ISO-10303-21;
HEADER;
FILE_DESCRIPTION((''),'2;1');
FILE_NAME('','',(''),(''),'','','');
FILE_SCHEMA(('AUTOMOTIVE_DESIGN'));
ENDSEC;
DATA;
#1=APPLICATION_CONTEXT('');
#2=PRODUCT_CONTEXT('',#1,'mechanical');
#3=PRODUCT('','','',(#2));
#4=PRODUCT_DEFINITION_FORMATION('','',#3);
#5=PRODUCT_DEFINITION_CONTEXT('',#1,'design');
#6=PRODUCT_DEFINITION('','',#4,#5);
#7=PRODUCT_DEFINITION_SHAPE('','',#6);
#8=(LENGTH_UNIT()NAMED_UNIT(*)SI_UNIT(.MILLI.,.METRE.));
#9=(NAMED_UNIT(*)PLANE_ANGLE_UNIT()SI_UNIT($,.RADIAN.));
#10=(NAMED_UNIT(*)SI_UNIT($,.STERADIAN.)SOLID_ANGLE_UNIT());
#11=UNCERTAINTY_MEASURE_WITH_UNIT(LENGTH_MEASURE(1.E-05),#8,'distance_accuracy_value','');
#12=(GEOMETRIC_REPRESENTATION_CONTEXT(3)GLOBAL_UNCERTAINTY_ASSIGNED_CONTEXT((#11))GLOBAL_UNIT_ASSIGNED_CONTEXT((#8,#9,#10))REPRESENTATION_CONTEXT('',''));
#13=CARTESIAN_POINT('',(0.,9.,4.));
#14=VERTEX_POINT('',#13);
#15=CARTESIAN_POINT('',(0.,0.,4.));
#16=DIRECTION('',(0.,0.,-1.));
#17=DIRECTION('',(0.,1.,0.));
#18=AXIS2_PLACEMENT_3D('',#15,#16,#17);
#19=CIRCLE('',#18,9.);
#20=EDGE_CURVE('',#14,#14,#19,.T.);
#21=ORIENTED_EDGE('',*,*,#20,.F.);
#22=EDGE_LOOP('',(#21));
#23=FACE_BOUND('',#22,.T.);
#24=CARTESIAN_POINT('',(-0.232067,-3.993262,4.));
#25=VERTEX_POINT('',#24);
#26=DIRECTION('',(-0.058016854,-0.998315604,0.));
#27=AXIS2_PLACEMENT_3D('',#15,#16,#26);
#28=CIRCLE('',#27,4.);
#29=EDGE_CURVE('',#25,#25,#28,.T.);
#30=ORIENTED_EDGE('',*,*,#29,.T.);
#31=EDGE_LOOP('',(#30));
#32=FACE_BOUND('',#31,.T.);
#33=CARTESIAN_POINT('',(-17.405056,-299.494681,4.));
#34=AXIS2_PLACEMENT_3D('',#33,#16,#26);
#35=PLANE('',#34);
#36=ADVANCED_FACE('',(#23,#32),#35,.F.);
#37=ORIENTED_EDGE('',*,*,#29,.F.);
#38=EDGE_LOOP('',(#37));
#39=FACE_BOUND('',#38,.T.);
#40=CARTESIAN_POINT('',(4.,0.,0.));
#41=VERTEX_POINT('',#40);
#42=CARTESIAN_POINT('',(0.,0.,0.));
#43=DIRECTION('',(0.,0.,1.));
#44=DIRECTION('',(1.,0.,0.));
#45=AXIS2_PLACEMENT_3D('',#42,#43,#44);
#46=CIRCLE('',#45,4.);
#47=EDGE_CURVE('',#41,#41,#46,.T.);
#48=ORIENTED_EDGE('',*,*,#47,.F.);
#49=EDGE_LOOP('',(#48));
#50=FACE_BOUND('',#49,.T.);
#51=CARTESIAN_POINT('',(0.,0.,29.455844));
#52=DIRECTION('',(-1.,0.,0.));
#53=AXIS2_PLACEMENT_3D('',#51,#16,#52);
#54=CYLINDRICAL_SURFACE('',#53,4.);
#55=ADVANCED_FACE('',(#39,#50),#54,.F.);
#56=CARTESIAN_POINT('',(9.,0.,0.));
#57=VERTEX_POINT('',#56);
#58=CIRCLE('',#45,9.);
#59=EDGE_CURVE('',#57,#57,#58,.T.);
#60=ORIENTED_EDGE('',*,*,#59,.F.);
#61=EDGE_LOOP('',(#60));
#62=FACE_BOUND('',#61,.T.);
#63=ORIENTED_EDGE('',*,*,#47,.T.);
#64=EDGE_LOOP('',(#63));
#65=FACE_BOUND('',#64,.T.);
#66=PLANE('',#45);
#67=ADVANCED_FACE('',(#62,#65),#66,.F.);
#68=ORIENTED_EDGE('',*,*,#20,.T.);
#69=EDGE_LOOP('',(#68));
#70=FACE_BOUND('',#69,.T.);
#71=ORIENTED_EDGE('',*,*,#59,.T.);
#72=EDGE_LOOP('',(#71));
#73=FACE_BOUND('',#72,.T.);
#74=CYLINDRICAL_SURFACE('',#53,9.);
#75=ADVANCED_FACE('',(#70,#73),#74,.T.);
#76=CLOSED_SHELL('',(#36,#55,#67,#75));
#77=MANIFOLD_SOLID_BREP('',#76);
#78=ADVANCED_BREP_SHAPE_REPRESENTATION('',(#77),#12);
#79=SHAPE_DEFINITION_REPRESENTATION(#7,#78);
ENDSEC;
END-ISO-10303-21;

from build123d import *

# Parameters (mm, degrees)
SKETCH1_R           = 9
SKETCH1_R_2         = 4
BOSS_EXTRUDE1_DEPTH = 4


with BuildPart() as part:
    # Sketch1 → Boss-Extrude1 (new body)
    with BuildSketch(Plane.XY):
        with Locations(Location((0, 0, 0), (0, 0, 90))):
            Circle(SKETCH1_R)
        with Locations(Location((0, 0, 0), (0, 0, 266.674011469))):
            Circle(SKETCH1_R_2, mode=Mode.SUBTRACT)
    extrude(amount=BOSS_EXTRUDE1_DEPTH)


solid = part.part
